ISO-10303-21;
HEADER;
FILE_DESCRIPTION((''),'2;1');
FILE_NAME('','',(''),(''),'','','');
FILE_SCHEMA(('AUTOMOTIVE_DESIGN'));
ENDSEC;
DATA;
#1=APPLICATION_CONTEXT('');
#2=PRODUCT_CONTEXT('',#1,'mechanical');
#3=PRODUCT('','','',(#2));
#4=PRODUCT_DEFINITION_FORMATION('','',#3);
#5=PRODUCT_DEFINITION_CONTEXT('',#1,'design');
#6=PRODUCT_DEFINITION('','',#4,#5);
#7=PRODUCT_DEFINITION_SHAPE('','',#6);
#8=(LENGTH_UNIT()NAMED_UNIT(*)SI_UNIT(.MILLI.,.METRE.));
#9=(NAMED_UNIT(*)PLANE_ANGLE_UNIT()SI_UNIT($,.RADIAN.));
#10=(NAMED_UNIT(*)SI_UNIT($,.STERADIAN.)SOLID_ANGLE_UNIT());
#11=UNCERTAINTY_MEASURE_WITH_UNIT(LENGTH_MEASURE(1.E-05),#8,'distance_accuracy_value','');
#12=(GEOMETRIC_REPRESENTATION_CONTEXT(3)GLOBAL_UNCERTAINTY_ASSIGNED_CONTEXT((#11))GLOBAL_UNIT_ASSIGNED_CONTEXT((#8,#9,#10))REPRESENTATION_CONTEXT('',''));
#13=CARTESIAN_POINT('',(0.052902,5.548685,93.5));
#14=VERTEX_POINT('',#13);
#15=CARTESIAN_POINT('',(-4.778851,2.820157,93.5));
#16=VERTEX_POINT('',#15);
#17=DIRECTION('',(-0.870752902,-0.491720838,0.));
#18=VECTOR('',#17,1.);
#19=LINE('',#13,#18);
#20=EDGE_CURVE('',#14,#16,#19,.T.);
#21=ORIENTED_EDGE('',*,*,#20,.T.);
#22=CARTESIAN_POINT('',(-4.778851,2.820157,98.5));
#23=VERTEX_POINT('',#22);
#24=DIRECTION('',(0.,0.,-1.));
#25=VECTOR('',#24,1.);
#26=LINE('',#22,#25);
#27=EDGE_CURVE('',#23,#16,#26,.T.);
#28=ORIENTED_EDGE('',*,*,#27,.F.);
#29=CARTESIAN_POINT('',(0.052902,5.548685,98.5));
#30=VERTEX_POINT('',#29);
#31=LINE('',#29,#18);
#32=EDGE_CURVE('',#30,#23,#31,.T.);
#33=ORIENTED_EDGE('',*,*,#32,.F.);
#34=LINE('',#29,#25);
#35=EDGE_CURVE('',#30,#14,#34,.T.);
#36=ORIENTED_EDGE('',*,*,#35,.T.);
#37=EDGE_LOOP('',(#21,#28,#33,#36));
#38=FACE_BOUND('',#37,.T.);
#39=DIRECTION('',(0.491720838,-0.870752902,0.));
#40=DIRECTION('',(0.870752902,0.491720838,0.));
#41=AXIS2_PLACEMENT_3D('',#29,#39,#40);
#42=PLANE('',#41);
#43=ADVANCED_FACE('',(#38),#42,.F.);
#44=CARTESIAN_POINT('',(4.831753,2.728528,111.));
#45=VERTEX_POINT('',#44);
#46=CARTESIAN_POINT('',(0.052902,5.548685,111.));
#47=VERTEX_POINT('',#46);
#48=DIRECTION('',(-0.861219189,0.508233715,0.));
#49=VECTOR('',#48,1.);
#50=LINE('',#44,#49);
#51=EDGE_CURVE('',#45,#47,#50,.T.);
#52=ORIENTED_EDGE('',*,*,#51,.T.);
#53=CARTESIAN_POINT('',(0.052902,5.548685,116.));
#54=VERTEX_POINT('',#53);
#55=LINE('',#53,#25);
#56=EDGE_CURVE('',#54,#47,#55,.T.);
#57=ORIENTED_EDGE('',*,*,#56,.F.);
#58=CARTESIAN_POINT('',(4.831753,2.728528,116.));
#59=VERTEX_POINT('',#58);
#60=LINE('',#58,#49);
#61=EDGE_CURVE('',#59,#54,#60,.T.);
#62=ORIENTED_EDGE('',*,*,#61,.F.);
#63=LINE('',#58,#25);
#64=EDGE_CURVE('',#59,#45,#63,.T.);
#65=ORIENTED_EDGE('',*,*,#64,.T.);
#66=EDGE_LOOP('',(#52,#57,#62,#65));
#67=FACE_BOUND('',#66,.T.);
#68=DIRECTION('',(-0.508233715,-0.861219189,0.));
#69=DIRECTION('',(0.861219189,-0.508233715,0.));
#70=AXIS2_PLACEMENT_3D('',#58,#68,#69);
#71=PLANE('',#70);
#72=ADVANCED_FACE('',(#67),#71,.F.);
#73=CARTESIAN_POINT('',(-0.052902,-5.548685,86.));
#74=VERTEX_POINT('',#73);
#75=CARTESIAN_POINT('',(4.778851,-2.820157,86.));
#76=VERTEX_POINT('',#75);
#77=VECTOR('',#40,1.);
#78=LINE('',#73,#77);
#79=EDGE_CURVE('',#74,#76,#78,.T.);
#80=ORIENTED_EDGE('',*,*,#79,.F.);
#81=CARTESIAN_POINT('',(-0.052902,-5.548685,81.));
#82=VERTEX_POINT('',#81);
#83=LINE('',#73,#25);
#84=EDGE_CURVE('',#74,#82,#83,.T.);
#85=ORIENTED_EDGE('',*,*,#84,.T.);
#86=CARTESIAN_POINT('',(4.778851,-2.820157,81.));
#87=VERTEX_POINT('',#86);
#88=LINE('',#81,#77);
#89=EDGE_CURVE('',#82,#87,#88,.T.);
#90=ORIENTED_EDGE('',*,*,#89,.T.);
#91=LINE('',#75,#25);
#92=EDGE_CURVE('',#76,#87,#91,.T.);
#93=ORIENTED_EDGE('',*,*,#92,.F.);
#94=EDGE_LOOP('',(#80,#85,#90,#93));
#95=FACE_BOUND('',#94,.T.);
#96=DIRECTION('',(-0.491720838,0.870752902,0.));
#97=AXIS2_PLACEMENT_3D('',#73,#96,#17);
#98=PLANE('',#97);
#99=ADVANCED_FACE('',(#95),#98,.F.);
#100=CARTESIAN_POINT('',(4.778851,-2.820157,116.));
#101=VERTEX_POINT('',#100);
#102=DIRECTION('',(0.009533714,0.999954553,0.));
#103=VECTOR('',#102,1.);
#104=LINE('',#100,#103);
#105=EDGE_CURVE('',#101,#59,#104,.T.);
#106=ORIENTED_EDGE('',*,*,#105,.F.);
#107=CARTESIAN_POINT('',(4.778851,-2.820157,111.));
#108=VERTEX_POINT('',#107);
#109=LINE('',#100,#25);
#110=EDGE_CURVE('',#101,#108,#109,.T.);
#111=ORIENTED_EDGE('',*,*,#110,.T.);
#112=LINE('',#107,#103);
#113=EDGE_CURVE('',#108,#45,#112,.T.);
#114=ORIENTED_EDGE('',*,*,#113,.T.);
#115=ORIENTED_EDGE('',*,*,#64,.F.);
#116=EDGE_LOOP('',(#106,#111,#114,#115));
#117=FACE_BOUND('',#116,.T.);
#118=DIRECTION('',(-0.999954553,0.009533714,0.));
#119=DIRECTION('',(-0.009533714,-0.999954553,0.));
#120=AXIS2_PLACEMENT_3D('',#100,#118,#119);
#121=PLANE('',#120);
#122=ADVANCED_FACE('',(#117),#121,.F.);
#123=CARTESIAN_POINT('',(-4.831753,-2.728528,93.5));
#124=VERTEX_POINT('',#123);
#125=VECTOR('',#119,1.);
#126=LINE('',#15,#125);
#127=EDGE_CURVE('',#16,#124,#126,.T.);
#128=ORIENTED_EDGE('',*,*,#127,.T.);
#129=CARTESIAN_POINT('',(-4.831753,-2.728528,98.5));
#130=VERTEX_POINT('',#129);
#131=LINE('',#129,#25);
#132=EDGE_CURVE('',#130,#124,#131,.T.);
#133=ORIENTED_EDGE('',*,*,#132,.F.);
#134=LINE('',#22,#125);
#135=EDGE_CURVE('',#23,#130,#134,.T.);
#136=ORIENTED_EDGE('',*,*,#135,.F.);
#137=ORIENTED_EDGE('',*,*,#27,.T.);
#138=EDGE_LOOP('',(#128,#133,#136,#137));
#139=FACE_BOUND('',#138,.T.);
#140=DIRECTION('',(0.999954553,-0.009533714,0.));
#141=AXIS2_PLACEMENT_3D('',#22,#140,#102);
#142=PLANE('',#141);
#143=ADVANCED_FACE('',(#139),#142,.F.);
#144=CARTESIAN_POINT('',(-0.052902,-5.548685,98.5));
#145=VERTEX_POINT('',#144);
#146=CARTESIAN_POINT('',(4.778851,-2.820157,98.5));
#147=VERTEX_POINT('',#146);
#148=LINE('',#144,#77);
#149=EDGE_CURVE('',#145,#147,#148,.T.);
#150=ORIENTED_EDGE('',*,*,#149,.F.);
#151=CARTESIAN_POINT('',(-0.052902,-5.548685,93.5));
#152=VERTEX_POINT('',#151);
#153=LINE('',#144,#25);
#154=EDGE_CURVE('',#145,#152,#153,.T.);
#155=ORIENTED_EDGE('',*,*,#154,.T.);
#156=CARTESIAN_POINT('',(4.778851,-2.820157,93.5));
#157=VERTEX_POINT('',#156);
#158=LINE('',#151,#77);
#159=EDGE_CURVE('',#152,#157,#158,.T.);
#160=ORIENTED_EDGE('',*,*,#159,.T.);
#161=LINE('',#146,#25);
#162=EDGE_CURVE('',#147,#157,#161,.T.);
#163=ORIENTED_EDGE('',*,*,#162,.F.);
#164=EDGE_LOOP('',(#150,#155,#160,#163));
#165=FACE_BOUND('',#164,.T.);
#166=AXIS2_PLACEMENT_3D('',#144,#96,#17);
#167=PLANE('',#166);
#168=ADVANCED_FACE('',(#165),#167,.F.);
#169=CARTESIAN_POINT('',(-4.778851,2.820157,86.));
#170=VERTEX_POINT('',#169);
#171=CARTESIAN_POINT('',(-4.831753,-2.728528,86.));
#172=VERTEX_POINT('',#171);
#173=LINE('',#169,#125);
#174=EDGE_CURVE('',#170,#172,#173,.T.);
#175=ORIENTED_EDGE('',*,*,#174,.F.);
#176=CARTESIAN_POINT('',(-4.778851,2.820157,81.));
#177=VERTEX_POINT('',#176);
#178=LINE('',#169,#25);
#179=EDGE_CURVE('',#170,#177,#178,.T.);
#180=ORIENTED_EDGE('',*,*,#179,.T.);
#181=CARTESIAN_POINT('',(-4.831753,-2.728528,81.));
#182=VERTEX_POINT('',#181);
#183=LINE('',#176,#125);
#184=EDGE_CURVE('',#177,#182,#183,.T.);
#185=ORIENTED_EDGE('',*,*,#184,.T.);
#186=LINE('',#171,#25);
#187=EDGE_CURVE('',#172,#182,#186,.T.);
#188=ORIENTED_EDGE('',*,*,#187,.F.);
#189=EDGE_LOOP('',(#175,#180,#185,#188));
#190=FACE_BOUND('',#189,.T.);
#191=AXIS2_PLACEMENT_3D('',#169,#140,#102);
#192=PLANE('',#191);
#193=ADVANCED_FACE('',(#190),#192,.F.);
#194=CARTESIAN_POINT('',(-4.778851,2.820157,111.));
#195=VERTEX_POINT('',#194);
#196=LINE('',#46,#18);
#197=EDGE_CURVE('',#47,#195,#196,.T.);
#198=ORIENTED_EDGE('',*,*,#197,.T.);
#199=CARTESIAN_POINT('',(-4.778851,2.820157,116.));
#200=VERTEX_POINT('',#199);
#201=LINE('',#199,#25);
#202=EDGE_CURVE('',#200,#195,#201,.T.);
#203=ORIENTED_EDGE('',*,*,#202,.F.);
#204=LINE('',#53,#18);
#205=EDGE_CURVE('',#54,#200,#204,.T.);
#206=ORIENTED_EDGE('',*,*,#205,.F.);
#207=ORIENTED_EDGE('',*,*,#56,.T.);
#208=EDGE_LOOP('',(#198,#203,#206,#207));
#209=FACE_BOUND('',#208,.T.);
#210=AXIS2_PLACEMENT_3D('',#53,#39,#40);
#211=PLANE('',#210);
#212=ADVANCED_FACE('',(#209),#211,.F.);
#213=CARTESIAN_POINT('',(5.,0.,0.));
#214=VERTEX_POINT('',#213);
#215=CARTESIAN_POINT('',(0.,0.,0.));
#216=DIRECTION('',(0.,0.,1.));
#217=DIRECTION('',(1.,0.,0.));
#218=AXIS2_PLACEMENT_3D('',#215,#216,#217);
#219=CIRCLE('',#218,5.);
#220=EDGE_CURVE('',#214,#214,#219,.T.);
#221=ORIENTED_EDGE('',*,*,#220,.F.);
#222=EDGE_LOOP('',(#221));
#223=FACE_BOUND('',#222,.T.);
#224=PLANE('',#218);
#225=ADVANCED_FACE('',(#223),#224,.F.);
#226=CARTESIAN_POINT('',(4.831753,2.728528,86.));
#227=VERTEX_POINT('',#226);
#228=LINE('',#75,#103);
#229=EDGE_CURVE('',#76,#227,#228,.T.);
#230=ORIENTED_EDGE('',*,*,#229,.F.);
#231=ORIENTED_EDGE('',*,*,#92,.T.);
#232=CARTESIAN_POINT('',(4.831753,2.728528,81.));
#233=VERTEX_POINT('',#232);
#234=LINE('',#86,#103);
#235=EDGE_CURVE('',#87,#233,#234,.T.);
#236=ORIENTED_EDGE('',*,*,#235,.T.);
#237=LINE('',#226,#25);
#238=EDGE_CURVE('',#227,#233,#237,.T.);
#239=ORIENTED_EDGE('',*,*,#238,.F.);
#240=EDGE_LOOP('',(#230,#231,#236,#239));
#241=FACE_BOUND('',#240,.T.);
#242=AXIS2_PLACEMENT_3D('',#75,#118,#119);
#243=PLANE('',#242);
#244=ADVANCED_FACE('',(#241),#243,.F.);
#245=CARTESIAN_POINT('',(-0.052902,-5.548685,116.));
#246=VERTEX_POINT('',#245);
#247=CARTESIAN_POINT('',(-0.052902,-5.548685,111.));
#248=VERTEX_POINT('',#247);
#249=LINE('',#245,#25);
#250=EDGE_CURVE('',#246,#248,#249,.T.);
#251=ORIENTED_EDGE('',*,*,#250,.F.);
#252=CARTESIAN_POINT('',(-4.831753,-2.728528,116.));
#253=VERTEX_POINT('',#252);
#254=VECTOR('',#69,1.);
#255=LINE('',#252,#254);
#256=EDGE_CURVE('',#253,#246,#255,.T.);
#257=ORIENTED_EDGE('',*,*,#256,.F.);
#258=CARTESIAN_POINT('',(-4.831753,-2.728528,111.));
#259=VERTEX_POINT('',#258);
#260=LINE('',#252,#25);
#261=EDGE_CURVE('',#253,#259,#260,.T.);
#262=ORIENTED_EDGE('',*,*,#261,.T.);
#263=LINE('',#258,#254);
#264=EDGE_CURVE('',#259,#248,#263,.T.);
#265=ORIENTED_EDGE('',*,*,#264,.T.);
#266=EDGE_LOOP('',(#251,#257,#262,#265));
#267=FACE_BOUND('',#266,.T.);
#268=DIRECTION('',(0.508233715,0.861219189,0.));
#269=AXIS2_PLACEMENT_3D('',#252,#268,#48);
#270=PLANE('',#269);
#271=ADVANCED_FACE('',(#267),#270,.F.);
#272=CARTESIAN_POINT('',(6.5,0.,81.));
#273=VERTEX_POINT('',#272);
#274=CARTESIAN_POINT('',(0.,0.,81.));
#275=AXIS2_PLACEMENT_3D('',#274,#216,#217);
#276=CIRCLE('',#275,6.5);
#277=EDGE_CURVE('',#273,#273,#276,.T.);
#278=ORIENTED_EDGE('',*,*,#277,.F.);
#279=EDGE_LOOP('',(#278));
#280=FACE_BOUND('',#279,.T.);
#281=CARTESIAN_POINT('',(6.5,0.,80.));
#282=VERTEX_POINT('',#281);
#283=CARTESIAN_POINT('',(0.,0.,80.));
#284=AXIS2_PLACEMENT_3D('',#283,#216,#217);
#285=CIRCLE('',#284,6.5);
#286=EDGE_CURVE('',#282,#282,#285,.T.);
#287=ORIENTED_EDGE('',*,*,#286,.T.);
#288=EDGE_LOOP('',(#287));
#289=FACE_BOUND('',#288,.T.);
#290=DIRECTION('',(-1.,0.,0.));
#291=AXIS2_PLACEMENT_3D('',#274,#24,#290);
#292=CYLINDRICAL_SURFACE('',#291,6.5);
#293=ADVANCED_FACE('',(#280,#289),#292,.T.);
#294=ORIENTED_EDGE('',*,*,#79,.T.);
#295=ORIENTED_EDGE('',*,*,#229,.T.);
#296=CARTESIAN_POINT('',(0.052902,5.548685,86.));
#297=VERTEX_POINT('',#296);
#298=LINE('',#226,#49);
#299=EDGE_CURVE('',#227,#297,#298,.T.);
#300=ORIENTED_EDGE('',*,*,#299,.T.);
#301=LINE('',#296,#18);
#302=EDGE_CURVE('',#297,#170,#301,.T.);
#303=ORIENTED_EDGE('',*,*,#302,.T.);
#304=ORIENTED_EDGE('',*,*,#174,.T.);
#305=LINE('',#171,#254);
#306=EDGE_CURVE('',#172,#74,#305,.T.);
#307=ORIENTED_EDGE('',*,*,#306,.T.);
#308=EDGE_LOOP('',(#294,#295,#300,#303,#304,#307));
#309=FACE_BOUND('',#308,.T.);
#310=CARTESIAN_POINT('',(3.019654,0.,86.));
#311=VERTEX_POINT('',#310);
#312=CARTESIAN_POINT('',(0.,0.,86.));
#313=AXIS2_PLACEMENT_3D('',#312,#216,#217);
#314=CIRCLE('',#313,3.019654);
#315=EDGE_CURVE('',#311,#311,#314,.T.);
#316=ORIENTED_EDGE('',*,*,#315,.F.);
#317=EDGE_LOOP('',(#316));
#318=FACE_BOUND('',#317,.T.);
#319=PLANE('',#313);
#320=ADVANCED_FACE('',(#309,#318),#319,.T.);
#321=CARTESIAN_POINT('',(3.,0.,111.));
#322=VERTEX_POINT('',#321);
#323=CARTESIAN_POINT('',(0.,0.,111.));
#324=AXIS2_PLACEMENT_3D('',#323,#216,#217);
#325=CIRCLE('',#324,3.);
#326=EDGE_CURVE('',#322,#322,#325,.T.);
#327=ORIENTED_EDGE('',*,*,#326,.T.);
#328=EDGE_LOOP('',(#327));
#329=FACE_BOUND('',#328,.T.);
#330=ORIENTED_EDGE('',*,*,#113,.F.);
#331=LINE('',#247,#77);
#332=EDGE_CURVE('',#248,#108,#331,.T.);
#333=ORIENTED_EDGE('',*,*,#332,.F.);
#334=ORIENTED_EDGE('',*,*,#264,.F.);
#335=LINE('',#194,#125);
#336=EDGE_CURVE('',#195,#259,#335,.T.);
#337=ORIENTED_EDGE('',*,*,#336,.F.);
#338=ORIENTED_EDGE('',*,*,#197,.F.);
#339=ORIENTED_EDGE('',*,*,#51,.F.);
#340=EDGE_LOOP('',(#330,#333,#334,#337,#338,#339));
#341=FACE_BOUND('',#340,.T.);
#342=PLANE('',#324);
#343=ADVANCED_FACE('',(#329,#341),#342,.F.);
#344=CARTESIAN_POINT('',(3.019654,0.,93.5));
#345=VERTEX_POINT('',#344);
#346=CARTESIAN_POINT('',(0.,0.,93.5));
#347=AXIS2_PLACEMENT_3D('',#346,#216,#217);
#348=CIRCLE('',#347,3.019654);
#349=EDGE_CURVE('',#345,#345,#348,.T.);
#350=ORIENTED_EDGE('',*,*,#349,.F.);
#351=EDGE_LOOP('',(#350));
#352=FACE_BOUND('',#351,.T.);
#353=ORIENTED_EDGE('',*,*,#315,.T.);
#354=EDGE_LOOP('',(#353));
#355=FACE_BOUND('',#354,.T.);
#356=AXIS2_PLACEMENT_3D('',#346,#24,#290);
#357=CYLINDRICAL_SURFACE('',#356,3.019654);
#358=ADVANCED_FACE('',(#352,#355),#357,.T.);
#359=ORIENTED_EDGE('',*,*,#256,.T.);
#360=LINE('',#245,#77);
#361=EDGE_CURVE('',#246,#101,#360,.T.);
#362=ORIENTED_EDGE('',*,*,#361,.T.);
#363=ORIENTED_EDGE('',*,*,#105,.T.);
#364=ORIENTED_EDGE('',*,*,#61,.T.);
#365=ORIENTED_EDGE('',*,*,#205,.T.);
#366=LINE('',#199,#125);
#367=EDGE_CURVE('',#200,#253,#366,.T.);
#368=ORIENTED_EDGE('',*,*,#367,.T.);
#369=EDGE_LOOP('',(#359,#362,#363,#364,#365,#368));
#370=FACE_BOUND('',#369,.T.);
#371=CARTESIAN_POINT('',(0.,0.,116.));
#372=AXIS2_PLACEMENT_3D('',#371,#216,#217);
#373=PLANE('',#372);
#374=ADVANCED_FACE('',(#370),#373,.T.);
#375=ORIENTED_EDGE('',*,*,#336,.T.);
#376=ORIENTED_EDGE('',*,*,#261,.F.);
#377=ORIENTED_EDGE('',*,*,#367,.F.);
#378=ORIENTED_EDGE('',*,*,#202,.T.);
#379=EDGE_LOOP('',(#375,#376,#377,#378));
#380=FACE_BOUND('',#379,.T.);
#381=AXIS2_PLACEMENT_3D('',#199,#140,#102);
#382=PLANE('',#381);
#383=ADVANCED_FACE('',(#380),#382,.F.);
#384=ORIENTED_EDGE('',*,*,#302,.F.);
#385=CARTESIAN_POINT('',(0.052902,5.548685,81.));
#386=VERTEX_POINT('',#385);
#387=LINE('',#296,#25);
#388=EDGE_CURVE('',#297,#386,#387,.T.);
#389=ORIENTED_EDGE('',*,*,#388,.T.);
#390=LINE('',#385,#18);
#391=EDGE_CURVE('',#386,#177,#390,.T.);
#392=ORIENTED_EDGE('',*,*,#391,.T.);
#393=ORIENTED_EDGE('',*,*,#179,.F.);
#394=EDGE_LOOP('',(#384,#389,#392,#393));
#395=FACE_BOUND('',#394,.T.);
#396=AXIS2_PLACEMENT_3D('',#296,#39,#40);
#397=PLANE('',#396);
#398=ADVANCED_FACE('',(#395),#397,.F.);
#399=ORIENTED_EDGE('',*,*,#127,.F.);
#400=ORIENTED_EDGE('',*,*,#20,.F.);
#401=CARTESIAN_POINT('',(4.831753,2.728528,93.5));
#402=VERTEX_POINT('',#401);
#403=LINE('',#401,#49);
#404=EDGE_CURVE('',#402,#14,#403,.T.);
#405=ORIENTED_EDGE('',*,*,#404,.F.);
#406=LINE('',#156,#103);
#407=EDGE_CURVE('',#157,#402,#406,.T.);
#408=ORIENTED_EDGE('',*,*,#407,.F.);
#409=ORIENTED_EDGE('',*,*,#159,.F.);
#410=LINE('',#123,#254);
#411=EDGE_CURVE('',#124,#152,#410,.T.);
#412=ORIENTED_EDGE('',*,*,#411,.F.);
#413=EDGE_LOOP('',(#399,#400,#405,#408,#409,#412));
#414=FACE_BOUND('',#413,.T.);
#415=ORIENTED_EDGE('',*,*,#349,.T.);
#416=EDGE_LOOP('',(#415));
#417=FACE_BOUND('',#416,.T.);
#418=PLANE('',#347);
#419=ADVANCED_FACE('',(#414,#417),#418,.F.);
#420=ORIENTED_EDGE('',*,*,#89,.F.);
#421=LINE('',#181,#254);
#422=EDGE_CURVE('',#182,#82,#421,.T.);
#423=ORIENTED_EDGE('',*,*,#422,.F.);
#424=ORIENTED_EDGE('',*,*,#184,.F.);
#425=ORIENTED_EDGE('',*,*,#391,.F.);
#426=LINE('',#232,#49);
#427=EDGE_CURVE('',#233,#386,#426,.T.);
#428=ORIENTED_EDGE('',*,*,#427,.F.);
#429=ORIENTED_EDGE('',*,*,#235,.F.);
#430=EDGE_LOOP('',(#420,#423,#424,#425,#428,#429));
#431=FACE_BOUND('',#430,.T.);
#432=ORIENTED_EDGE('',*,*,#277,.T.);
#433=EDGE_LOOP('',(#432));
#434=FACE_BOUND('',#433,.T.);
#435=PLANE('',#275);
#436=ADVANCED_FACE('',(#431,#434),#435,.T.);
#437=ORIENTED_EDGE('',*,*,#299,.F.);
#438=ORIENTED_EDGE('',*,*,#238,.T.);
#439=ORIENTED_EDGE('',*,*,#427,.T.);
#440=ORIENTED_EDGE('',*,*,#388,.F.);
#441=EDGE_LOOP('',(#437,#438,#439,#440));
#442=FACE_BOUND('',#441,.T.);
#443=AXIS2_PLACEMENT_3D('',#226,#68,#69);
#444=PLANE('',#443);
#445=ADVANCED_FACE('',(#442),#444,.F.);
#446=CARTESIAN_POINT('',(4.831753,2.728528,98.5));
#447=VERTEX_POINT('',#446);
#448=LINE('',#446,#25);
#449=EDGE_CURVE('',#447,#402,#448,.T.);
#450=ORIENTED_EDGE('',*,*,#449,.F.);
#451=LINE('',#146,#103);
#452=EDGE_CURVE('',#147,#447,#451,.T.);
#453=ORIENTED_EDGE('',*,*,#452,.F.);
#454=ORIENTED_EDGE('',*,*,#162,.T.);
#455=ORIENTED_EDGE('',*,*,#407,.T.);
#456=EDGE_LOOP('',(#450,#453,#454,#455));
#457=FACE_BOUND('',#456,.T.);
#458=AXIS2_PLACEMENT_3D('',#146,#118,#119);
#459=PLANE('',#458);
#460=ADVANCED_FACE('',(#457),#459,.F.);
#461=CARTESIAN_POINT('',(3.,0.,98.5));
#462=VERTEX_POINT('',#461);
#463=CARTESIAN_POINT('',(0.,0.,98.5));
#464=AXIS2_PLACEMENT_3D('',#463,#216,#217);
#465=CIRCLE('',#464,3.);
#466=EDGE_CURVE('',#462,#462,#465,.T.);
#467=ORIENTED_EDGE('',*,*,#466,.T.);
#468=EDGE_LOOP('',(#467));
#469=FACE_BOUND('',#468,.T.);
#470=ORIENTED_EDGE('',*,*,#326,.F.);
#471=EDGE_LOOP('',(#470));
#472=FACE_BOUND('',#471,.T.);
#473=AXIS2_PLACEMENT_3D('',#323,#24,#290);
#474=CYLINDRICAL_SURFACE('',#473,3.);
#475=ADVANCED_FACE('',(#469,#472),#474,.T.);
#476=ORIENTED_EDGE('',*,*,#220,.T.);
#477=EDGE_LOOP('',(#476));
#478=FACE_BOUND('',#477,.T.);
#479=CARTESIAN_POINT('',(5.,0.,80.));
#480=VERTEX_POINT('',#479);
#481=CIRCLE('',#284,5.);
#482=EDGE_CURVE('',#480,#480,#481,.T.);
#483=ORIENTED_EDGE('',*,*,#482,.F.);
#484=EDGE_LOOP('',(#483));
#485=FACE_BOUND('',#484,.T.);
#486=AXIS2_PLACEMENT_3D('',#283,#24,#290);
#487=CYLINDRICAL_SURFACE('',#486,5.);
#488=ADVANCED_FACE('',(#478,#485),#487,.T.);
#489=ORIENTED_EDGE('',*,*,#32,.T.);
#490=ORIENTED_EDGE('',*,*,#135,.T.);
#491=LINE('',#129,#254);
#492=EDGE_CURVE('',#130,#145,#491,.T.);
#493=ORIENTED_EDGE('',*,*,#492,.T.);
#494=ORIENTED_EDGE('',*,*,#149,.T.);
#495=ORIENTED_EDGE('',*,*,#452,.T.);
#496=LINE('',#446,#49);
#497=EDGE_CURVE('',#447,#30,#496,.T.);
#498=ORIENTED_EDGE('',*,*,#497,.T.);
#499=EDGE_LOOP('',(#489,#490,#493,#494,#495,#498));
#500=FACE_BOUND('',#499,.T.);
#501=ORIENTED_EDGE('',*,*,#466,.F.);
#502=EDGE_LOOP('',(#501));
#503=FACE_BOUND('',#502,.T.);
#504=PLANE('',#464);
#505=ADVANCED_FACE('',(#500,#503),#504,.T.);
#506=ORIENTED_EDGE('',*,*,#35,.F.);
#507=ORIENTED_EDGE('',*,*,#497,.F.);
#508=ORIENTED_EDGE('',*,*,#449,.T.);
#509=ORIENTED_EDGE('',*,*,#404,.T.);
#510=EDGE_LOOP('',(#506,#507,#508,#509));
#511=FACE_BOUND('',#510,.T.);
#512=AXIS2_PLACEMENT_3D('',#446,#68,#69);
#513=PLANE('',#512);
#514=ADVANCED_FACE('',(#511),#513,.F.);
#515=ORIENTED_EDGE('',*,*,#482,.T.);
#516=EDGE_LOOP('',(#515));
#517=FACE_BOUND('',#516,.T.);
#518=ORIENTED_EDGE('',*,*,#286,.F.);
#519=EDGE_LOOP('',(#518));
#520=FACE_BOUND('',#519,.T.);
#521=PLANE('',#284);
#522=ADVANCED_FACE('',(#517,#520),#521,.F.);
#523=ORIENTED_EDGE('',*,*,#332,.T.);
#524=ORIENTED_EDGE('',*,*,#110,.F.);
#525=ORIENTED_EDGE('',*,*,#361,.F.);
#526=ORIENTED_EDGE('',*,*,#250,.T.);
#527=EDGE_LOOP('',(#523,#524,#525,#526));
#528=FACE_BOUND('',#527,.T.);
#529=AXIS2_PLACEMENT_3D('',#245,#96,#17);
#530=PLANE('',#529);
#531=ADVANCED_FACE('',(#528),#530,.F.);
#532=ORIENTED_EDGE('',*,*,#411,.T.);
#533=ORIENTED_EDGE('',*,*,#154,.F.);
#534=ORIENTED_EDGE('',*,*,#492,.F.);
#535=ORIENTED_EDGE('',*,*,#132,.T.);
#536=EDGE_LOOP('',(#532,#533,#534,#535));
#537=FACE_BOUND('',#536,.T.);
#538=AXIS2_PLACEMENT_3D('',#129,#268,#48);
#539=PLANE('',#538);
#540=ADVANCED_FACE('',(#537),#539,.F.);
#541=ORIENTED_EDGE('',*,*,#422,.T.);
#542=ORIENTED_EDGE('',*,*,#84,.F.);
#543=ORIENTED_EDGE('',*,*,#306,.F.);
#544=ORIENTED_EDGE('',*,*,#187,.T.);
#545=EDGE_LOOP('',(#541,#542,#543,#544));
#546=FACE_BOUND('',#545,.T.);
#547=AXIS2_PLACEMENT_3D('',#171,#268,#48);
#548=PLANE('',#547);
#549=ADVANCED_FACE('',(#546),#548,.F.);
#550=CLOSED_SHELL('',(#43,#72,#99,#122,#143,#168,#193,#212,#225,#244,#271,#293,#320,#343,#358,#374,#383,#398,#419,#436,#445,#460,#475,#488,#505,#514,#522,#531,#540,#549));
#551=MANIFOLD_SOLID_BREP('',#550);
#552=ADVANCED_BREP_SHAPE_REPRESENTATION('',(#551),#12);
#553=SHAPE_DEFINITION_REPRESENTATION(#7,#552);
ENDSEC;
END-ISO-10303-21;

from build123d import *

# Parameters (mm, degrees)
SKETCH1_R           = 5
BOSS_EXTRUDE1_DEPTH = 80
SKETCH2_R           = 6.5
BOSS_EXTRUDE2_DEPTH = 1
BOSS_EXTRUDE5_DEPTH = 5
SKETCH6_R           = 3.019653564
BOSS_EXTRUDE6_DEPTH = 7.5
BOSS_EXTRUDE7_DEPTH = 5
SKETCH8_R           = 3
BOSS_EXTRUDE8_DEPTH = 12.5
BOSS_EXTRUDE9_DEPTH = 5


with BuildPart() as part:
    # Sketch1 → Boss-Extrude1 (new body)
    with BuildSketch(Plane.XY):
        Circle(SKETCH1_R)
    extrude(amount=BOSS_EXTRUDE1_DEPTH)

    # Sketch2 → Boss-Extrude2 (add)
    with BuildSketch(Plane.XY.offset(80)):
        Circle(SKETCH2_R)
    extrude(amount=BOSS_EXTRUDE2_DEPTH)

    # Sketch5 → Boss-Extrude5 (add)
    with BuildSketch(Plane.XY.offset(81)):
        Polygon((4.778851136, -2.820156932), (4.831753114, 2.728528019), (0.052901978, 5.548684951), (-4.778851136, 2.820156932), (-4.831753114, -2.728528019), (-0.052901978, -5.548684951), align=None)
    extrude(amount=BOSS_EXTRUDE5_DEPTH)

    # Sketch6 → Boss-Extrude6 (add)
    with BuildSketch(Plane.XY.offset(86)):
        Circle(SKETCH6_R)
    extrude(amount=BOSS_EXTRUDE6_DEPTH)

    # Sketch7 → Boss-Extrude7 (add)
    with BuildSketch(Plane.XY.offset(93.5)):
        Polygon((4.778851136, -2.820156932), (4.831753114, 2.728528019), (0.052901978, 5.548684951), (-4.778851136, 2.820156932), (-4.831753114, -2.728528019), (-0.052901978, -5.548684951), align=None)
    extrude(amount=BOSS_EXTRUDE7_DEPTH)

    # Sketch8 → Boss-Extrude8 (add)
    with BuildSketch(Plane.XY.offset(98.5)):
        Circle(SKETCH8_R)
    extrude(amount=BOSS_EXTRUDE8_DEPTH)

    # Sketch9 → Boss-Extrude9 (add)
    with BuildSketch(Plane.XY.offset(111)):
        Polygon((4.778851136, -2.820156932), (4.831753114, 2.728528019), (0.052901978, 5.548684951), (-4.778851136, 2.820156932), (-4.831753114, -2.728528019), (-0.052901978, -5.548684951), align=None)
    extrude(amount=BOSS_EXTRUDE9_DEPTH)


solid = part.part
